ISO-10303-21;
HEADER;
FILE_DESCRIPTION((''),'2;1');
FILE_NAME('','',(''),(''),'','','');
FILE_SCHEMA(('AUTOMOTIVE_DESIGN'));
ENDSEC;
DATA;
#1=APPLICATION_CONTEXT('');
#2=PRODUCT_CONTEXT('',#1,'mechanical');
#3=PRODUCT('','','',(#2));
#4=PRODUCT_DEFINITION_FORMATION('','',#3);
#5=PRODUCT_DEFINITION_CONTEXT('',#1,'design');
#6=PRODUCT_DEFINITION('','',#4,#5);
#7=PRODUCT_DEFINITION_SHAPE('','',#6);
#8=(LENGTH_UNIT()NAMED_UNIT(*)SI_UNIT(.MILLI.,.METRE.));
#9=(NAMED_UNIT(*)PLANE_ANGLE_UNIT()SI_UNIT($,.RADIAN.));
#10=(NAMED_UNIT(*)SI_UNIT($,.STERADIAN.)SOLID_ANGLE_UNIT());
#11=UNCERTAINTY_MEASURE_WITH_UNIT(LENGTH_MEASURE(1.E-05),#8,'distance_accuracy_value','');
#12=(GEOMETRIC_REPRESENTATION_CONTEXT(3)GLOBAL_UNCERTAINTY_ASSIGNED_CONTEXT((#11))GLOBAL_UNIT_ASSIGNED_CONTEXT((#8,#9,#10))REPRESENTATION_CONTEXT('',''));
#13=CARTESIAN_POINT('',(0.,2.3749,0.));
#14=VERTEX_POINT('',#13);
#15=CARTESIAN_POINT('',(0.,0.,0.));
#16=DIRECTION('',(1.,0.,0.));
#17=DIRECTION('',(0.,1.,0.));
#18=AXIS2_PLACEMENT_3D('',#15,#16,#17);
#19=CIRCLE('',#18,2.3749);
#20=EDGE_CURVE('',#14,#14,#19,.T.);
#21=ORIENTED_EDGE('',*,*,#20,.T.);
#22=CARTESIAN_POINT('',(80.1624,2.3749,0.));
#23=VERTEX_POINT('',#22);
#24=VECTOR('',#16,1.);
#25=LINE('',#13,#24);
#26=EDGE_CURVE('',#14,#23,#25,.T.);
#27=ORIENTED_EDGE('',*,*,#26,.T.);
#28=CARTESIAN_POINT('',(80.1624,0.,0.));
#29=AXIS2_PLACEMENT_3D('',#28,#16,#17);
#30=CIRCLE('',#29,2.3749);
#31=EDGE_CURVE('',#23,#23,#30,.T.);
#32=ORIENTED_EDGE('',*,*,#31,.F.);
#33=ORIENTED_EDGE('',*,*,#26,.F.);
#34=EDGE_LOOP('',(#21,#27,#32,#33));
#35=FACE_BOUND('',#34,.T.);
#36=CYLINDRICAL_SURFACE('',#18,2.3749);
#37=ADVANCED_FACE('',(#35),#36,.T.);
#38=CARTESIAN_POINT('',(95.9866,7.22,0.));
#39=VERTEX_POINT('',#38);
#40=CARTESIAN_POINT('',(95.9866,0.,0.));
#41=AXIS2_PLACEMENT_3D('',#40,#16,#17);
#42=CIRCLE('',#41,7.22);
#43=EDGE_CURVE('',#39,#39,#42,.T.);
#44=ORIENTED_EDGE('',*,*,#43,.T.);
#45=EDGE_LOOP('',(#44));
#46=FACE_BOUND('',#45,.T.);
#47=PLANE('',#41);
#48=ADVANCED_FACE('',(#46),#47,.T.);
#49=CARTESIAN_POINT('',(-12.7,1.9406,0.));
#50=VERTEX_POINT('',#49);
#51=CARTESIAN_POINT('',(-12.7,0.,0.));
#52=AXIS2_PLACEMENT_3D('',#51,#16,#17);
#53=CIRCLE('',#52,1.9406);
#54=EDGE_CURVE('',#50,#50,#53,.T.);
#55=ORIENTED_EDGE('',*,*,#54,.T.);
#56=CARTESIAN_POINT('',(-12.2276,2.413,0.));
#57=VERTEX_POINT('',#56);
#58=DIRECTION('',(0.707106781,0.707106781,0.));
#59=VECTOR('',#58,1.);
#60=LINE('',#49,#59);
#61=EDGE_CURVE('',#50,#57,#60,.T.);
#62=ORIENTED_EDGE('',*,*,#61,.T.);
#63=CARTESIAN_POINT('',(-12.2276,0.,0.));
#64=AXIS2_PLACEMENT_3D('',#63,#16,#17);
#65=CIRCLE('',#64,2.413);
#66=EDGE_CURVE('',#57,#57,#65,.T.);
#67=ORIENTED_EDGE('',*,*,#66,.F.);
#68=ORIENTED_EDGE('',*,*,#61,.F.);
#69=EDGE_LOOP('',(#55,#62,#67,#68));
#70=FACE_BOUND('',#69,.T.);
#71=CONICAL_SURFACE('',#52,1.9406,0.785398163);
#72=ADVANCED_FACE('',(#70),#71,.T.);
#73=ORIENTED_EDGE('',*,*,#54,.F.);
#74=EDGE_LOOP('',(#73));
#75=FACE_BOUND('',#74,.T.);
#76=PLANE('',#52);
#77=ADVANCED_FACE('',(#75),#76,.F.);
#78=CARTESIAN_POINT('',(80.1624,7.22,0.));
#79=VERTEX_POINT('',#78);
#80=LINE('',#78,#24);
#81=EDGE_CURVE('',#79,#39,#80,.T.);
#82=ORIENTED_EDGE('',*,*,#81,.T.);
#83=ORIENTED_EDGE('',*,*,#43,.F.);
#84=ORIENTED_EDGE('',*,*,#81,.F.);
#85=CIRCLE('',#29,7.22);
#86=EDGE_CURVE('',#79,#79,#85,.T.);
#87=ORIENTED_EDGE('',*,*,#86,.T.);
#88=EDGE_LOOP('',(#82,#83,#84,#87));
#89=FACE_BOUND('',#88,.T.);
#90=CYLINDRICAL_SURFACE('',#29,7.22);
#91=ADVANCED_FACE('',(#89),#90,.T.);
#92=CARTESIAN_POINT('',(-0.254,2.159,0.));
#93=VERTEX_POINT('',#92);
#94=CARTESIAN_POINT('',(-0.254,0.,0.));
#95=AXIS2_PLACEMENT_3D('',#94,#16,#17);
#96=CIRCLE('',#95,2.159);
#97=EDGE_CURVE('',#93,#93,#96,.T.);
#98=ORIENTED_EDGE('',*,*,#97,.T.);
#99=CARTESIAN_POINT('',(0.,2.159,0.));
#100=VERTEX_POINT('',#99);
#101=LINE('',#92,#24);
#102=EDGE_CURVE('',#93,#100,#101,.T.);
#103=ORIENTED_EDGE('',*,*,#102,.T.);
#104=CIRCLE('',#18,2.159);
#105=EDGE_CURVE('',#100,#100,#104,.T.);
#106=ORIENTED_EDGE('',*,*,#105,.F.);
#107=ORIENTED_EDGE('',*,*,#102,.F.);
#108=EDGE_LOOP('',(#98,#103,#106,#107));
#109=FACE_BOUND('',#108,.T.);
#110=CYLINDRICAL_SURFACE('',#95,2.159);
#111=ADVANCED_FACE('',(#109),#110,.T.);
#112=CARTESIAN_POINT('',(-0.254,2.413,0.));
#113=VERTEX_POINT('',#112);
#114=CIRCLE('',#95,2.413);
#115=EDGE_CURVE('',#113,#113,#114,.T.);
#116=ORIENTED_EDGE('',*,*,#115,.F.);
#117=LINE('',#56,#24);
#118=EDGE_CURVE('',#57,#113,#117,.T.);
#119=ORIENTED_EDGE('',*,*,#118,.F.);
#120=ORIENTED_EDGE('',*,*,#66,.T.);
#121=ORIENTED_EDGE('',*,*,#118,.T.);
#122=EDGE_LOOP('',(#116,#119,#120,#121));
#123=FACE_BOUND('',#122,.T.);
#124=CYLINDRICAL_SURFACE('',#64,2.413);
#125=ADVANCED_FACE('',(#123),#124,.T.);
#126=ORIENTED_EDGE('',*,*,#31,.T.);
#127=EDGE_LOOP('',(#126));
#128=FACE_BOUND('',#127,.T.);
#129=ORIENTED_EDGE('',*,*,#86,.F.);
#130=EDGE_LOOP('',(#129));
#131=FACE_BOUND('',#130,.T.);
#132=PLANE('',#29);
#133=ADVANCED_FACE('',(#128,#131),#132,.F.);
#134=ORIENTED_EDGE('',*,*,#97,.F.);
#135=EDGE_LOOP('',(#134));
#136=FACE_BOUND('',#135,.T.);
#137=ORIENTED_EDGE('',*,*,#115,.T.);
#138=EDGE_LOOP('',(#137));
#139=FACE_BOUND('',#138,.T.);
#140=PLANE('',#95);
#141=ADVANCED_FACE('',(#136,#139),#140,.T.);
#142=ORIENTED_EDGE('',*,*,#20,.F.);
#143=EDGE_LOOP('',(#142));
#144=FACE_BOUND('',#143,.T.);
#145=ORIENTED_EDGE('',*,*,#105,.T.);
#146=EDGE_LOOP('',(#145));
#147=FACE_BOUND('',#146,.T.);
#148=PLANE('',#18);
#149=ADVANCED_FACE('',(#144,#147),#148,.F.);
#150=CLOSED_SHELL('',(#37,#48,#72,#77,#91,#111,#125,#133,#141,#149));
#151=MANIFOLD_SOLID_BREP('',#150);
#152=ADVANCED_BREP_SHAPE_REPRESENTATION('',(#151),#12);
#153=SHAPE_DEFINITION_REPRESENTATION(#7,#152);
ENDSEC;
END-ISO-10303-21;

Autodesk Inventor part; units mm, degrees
sketch "Sketch_1" plane through (0, 0, 0) normal (0, 0, 1) x (1, 0, 0)
  line L0 (95.9866, 0) -> (0, 0)
  line L1 (0, 0) -> (0, 2.3749)
  line L2 (0, 2.3749) -> (80.1624, 2.3749)
  line L3 (80.1624, 2.3749) -> (80.1624, 7.22)
  line L4 (80.1624, 7.22) -> (95.9866, 7.22)
  line L5 (95.9866, 7.22) -> (95.9866, 0)
  line L6 (95.9866, 0) -> (0, 0)
revolve "Revolution1" add sketch "Sketch_1" angle 360 about axis through (95.9866, 0, 0) along (1, 0, 0)
sketch "Sketch_3" plane through (0, 0, 0) normal (0, 0, 1) x (1, 0, 0)
  line L0 (0, 0) -> (-12.7, 0)
  line L1 (-12.7, 0) -> (-12.7, 1.9406)
  line L2 (-12.7, 1.9406) -> (-12.2276, 2.413)
  line L3 (-12.2276, 2.413) -> (0, 2.413)
  line L4 (0, 2.413) -> (0, 0)
  line L5 (0, 0) -> (-12.7, 0)
revolve "Revolution2" add sketch "Sketch_3" angle 360 about axis through (0, 0, 0) along (1, 0, 0)
thread "Thread1" size "10-32 UNF" class "2A" standard "ANSI Unified Screw Threads" full length
sketch "Sketch_30" plane through (0, 0, 0) normal (0, 0, 1) x (1, 0, 0)
  line L0 (0, 0) -> (-0.254, 0)
  line L1 (-0.254, 2.159) -> (0, 2.159)
  line L2 (0, 2.159) -> (0, 2.667)
  line L3 (0, 2.667) -> (-0.254, 2.667)
  line L4 (-0.254, 2.667) -> (-0.254, 2.159)
revolve "Revolution3" cut sketch "Sketch_30" angle 360 about axis through (0, 0, 0) along (1, 0, 0)
ref_plane "dia1_XY" through (0, 2.3749, 0) normal (1, 0, 0) x (0, 0, -1)
ref_plane "dia1_YZ" through (0, 2.3749, 0) normal (0, 0, -1) x (0, 1, 0)
ref_plane "dia1_ZX" through (0, 2.3749, 0) normal (0, 1, 0) x (1, 0, 0)
ref_plane "dia12_XY" through (0, 0, 7.8105) normal (1, 0, 0) x (0, 0, -1)
ref_plane "dia12_YZ" through (0, 0, 7.8105) normal (0, 0, -1) x (0, 1, 0)
ref_plane "dia12_ZX" through (0, 0, 7.8105) normal (0, 1, 0) x (1, 0, 0)
ref_plane "dia2_XY" through (0, -2.3749, 0) normal (1, 0, 0) x (0, 0, -1)
ref_plane "dia2_YZ" through (0, -2.3749, 0) normal (0, 0, -1) x (0, 1, 0)
ref_plane "dia2_ZX" through (0, -2.3749, 0) normal (0, 1, 0) x (1, 0, 0)
ref_plane "dia22_XY" through (0, 0, -7.8105) normal (1, 0, 0) x (0, 0, -1)
ref_plane "dia22_YZ" through (0, 0, -7.8105) normal (0, 0, -1) x (0, 1, 0)
ref_plane "dia22_ZX" through (0, 0, -7.8105) normal (0, 1, 0) x (1, 0, 0)
ref_plane "rl1_XY" through (-12.7, 0, 0) normal (1, 0, 0) x (0, 0, -1)
ref_plane "rl1_YZ" through (-12.7, 0, 0) normal (0, 0, -1) x (0, 1, 0)
ref_plane "rl1_ZX" through (-12.7, 0, 0) normal (0, 1, 0) x (1, 0, 0)
ref_plane "rl2_XY" through (0, 0, 0) normal (1, 0, 0) x (0, 0, -1)
ref_plane "rl2_YZ" through (0, 0, 0) normal (0, 0, -1) x (0, 1, 0)
ref_plane "rl2_ZX" through (0, 0, 0) normal (0, 1, 0) x (1, 0, 0)
ref_plane "rod_cp_XY" through (0, 0, 0) normal (1, 0, 0) x (0, 0, -1)
ref_plane "rod_cp_YZ" through (0, 0, 0) normal (0, 0, -1) x (0, 1, 0)
ref_plane "rod_cp_ZX" through (0, 0, 0) normal (0, 1, 0) x (1, 0, 0)
ref_plane "thd1_XY" through (-12.7, 2.413, 0) normal (1, 0, 0) x (0, 0, -1)
ref_plane "thd1_YZ" through (-12.7, 2.413, 0) normal (0, 0, -1) x (0, 1, 0)
ref_plane "thd1_ZX" through (-12.7, 2.413, 0) normal (0, 1, 0) x (1, 0, 0)
ref_plane "thd2_XY" through (-12.7, -2.413, 0) normal (1, 0, 0) x (0, 0, -1)
ref_plane "thd2_YZ" through (-12.7, -2.413, 0) normal (0, 0, -1) x (0, 1, 0)
ref_plane "thd2_ZX" through (-12.7, -2.413, 0) normal (0, 1, 0) x (1, 0, 0)
ref_plane "to_rod_clevis_XY" through (-12.7, 0, 0) normal (1, 0, 0) x (0, 0, -1)
ref_plane "to_rod_clevis_YZ" through (-12.7, 0, 0) normal (0, 0, -1) x (0, 1, 0)
ref_plane "to_rod_clevis_ZX" through (-12.7, 0, 0) normal (0, 1, 0) x (1, 0, 0)
properties part number "022-DXP0000_rod"
